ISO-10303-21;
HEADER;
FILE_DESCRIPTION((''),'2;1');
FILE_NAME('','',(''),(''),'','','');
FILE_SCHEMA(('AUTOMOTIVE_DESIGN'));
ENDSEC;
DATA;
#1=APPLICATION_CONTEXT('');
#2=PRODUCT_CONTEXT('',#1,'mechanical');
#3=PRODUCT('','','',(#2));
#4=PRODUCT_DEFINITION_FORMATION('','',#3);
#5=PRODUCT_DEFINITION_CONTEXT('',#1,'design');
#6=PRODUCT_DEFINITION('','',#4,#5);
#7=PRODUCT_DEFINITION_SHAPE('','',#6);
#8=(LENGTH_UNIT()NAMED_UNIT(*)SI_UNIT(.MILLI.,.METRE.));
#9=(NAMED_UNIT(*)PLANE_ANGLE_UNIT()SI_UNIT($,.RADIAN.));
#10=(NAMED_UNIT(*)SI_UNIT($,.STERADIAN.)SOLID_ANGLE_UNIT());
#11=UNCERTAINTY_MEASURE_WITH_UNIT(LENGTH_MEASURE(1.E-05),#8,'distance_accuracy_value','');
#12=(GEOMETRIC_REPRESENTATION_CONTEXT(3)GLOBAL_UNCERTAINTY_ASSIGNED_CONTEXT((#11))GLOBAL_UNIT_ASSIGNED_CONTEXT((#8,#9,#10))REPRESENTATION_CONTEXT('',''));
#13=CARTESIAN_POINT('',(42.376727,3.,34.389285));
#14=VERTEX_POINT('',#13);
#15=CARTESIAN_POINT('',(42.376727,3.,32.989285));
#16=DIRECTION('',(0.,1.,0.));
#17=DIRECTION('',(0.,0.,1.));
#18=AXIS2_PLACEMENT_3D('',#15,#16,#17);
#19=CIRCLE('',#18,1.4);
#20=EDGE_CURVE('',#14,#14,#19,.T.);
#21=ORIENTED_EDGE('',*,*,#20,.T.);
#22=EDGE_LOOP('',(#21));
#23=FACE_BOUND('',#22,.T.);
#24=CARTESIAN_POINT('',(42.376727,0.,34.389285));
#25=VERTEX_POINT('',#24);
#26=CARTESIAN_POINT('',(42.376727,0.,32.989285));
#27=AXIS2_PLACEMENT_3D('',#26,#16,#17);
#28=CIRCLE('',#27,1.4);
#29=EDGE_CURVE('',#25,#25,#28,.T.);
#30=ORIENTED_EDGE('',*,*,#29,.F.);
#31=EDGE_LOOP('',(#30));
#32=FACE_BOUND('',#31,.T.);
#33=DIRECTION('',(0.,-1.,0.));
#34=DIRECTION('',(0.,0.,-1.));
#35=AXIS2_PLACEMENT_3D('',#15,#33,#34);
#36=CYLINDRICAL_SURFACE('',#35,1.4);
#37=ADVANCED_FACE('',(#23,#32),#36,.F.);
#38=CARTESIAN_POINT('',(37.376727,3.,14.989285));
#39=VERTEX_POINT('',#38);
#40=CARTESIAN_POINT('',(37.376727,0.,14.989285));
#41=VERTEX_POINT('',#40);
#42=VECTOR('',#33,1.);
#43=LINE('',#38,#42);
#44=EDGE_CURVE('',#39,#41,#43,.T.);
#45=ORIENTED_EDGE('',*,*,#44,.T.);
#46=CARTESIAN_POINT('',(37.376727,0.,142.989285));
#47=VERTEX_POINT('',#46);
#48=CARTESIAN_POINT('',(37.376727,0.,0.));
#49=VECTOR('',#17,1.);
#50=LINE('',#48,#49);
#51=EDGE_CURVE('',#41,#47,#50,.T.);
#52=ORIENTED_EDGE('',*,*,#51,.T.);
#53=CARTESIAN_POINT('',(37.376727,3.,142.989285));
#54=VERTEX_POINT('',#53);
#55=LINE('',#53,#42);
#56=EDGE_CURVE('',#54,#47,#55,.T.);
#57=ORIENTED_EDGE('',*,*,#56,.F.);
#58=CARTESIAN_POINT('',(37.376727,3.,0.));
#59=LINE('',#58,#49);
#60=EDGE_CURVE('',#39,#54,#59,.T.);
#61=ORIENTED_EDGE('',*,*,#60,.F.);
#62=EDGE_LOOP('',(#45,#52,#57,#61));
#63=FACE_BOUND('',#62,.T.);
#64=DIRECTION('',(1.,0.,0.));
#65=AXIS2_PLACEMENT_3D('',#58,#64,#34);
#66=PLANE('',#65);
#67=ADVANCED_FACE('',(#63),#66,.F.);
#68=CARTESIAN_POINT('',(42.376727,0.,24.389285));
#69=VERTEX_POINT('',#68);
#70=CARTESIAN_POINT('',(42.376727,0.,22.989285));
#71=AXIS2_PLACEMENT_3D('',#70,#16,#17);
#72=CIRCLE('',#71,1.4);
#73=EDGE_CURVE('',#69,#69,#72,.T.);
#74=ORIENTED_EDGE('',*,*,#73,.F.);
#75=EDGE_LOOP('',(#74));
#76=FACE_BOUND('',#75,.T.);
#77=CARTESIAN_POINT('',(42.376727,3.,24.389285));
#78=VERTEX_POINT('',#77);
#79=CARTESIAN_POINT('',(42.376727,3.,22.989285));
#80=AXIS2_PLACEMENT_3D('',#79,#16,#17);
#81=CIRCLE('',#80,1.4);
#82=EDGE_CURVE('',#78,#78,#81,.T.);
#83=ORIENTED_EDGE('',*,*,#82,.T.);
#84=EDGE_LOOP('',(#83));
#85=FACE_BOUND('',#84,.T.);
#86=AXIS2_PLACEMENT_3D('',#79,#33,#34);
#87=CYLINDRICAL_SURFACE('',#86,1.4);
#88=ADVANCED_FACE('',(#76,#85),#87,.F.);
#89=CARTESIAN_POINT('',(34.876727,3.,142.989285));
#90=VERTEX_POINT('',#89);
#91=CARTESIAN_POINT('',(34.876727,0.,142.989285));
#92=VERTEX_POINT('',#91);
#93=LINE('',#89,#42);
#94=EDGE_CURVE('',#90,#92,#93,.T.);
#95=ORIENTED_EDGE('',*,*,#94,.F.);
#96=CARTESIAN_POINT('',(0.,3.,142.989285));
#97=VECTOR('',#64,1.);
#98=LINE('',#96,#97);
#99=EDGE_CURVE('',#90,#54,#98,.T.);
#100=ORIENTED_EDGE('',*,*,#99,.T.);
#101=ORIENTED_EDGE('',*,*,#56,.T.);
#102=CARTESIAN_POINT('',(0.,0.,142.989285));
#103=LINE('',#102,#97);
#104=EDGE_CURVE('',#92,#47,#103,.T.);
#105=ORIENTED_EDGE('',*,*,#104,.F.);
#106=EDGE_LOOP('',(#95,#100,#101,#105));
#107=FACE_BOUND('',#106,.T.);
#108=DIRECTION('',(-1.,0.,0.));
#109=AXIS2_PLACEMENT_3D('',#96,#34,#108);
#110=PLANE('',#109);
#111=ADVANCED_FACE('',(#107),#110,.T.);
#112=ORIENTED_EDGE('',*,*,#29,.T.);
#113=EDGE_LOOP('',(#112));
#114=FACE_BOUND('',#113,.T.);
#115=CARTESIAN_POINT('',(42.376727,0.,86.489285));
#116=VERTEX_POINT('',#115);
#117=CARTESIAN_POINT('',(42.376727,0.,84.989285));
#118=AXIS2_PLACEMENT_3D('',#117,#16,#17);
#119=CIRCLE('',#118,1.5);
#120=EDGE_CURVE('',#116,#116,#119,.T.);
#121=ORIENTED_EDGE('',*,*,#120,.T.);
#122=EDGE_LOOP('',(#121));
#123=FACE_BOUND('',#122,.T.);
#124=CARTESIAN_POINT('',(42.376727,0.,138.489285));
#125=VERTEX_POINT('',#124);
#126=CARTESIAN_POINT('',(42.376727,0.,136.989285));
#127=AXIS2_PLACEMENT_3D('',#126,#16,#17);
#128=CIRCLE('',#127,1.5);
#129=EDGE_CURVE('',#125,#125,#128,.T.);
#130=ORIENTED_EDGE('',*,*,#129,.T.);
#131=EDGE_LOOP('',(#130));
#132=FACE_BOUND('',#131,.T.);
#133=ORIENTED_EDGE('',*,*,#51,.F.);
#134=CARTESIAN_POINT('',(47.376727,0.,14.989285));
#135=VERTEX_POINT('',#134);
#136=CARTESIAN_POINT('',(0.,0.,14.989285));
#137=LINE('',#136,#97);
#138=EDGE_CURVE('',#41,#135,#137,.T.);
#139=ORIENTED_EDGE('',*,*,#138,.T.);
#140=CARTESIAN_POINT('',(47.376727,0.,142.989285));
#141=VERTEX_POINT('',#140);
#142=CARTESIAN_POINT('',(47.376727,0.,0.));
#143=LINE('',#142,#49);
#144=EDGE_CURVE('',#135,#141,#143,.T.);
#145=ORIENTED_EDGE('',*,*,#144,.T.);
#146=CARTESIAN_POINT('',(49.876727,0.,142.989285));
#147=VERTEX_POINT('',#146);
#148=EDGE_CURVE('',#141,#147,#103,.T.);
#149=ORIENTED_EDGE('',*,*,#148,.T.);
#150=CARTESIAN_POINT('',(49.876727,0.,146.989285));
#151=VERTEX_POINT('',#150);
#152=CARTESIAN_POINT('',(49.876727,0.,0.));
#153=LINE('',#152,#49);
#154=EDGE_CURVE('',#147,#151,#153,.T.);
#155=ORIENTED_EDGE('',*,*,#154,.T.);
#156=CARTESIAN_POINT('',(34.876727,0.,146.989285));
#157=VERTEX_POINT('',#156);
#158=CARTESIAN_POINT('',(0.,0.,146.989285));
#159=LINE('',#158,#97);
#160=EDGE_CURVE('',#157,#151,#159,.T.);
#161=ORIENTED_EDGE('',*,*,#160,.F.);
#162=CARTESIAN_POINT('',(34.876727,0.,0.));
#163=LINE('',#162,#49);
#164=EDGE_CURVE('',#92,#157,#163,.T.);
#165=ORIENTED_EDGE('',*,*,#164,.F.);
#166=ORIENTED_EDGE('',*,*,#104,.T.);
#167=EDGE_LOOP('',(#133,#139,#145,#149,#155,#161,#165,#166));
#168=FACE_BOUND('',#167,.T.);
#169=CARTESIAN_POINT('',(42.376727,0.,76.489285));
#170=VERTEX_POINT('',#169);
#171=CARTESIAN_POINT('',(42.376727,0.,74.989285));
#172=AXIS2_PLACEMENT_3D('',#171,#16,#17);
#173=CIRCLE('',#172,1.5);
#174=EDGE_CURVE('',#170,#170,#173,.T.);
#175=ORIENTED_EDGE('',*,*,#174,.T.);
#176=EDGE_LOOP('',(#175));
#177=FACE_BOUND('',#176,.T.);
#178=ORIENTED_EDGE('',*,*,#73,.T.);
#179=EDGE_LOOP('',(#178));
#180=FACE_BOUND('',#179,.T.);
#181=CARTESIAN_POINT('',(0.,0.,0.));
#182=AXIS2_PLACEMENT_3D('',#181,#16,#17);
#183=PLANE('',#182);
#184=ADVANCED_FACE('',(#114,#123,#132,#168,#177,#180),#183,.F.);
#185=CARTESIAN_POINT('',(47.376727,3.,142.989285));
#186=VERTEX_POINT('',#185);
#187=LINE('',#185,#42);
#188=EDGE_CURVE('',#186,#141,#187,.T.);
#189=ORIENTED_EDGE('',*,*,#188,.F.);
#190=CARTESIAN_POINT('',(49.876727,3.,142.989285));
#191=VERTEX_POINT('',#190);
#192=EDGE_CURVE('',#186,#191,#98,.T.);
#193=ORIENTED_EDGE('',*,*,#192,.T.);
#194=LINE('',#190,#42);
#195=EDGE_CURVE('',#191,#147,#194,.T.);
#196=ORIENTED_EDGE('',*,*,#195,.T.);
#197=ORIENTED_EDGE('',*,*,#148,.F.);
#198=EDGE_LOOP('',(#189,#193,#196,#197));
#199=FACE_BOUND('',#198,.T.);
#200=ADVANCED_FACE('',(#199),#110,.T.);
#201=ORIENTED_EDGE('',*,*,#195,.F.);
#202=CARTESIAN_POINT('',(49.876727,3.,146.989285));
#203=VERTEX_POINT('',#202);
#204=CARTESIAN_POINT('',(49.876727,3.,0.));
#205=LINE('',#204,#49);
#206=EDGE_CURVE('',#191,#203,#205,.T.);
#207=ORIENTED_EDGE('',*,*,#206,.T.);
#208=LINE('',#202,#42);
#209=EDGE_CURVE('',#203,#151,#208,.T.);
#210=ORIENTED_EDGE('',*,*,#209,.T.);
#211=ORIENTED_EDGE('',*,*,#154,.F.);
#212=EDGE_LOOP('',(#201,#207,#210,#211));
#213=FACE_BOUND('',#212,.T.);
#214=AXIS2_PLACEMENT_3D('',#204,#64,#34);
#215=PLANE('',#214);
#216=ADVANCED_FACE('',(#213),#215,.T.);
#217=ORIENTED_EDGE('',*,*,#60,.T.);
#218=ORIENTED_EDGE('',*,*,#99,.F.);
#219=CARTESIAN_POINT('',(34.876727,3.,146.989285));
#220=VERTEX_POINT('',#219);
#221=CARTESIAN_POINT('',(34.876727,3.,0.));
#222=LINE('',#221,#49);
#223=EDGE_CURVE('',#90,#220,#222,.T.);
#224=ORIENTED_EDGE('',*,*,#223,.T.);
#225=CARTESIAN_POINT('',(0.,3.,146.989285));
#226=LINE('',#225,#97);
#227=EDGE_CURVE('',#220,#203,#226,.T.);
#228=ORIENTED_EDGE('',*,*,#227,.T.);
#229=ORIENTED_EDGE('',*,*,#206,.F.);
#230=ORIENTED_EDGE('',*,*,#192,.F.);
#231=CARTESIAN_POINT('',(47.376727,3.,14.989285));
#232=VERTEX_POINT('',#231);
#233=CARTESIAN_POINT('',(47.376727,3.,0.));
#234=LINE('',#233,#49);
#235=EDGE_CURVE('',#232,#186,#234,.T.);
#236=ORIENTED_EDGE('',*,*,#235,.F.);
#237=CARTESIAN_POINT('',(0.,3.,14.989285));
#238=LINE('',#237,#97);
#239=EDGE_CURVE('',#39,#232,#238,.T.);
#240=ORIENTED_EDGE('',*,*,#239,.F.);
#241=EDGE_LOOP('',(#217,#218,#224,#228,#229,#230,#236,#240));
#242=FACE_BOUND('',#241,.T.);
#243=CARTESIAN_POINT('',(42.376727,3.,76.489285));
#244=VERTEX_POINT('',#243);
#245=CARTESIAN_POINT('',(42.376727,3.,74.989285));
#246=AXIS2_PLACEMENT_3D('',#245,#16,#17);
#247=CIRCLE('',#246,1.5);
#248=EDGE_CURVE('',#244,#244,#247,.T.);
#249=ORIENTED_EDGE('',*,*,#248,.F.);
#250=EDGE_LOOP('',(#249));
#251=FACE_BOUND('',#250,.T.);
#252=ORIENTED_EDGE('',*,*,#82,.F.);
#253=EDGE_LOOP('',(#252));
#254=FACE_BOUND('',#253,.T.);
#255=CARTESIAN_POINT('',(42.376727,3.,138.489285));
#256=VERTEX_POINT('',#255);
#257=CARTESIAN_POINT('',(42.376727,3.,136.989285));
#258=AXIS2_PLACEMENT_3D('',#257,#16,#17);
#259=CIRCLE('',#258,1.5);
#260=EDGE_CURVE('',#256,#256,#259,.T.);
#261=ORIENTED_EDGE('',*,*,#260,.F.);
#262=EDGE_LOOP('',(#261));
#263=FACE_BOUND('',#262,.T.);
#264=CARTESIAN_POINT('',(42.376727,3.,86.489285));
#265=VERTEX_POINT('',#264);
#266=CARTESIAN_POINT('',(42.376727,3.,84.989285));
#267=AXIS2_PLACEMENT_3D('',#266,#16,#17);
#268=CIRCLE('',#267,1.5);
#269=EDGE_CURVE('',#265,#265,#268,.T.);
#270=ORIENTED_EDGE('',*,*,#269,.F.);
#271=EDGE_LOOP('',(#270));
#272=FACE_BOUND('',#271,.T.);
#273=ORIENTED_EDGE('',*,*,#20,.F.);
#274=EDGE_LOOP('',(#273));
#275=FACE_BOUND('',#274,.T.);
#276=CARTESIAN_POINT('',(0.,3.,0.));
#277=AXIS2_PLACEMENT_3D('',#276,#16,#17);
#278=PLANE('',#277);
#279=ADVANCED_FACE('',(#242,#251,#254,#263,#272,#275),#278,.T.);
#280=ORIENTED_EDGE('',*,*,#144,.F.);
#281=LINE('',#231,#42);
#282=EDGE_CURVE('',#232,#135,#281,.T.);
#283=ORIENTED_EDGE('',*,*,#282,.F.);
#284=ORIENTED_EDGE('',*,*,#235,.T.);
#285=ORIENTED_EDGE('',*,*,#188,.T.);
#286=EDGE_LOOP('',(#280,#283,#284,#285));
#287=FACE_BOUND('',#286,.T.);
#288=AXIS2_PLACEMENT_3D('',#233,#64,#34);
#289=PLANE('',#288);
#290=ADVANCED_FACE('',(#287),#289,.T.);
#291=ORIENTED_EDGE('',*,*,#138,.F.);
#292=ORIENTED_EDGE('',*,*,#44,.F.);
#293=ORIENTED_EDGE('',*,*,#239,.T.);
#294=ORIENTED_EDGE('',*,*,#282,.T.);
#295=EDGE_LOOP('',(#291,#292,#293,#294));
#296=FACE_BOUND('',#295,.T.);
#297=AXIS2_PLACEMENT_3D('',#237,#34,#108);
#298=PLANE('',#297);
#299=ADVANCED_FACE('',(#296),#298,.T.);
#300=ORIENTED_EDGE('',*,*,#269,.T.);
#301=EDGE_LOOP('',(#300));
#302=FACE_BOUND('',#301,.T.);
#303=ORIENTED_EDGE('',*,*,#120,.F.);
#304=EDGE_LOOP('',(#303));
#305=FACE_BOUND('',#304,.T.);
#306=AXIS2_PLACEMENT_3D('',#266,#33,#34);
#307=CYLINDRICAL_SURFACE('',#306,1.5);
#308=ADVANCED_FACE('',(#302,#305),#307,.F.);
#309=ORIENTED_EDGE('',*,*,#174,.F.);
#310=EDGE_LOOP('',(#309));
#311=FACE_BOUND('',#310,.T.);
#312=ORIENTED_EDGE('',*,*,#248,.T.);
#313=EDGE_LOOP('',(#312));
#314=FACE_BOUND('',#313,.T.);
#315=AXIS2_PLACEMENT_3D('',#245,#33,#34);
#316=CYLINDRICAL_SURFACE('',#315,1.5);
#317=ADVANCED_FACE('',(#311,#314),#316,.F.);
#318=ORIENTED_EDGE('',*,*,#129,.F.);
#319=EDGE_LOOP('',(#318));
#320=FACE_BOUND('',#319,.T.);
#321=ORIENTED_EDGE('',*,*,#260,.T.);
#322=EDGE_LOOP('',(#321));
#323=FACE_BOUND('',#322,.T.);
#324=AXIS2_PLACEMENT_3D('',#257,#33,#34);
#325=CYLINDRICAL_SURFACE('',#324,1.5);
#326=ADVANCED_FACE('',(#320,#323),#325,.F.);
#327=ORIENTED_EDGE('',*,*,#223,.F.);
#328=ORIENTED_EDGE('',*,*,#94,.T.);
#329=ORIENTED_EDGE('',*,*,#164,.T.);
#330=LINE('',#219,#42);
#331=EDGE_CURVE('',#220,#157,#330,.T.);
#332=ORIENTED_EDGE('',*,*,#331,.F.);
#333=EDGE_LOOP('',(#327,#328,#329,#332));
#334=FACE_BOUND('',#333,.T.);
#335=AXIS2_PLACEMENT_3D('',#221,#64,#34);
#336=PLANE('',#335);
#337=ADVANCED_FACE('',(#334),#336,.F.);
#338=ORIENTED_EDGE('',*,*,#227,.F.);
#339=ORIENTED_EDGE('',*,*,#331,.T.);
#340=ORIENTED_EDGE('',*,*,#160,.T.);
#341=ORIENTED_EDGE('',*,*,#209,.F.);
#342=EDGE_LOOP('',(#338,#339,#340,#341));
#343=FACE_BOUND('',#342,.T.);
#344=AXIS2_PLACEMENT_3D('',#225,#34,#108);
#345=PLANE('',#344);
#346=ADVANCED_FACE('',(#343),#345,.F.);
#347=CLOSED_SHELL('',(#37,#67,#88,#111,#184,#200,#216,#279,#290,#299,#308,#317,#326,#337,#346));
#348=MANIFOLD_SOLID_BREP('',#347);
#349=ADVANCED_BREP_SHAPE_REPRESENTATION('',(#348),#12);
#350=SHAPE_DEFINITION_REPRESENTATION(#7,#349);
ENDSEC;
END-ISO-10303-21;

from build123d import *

# Parameters (mm, degrees)
SKETCH1_W           = 15
SKETCH1_H           = 4
SKETCH1_W_2         = 10
SKETCH1_H_2         = 128
SKETCH1_R           = 1.4
SKETCH1_R_2         = 1.5
BOSS_EXTRUDE1_DEPTH = 3


with BuildPart() as part:
    # Sketch1 → Boss-Extrude1 (new body)
    # profile 1 of 2: a face of its own
    with BuildSketch(Plane(origin=(0, 0, 0), x_dir=(1, 0, 0), z_dir=(0, 1, 0))):
        with Locations((42.376726578, -144.989284628)):
            Rectangle(SKETCH1_W, SKETCH1_H)
    # profile 2 of 2: a face of its own
    with BuildSketch(Plane(origin=(0, 0, 0), x_dir=(1, 0, 0), z_dir=(0, 1, 0))):
        with Locations((42.376726578, -78.989284628)):
            Rectangle(SKETCH1_W_2, SKETCH1_H_2)
        with Locations(Location((42.376726578, -22.989284628, 0), (0, 0, 270))):
            Circle(SKETCH1_R, mode=Mode.SUBTRACT)
        with Locations(Location((42.376726578, -32.989284628, 0), (0, 0, 270))):
            Circle(SKETCH1_R, mode=Mode.SUBTRACT)
        with Locations(Location((42.376726578, -136.989284628, 0), (0, 0, 270))):
            Circle(SKETCH1_R_2, mode=Mode.SUBTRACT)
        with Locations(Location((42.376726578, -84.989284628, 0), (0, 0, 270))):
            Circle(SKETCH1_R_2, mode=Mode.SUBTRACT)
        with Locations(Location((42.376726578, -74.989284628, 0), (0, 0, 270))):
            Circle(SKETCH1_R_2, mode=Mode.SUBTRACT)
    extrude(amount=BOSS_EXTRUDE1_DEPTH)


solid = part.part
